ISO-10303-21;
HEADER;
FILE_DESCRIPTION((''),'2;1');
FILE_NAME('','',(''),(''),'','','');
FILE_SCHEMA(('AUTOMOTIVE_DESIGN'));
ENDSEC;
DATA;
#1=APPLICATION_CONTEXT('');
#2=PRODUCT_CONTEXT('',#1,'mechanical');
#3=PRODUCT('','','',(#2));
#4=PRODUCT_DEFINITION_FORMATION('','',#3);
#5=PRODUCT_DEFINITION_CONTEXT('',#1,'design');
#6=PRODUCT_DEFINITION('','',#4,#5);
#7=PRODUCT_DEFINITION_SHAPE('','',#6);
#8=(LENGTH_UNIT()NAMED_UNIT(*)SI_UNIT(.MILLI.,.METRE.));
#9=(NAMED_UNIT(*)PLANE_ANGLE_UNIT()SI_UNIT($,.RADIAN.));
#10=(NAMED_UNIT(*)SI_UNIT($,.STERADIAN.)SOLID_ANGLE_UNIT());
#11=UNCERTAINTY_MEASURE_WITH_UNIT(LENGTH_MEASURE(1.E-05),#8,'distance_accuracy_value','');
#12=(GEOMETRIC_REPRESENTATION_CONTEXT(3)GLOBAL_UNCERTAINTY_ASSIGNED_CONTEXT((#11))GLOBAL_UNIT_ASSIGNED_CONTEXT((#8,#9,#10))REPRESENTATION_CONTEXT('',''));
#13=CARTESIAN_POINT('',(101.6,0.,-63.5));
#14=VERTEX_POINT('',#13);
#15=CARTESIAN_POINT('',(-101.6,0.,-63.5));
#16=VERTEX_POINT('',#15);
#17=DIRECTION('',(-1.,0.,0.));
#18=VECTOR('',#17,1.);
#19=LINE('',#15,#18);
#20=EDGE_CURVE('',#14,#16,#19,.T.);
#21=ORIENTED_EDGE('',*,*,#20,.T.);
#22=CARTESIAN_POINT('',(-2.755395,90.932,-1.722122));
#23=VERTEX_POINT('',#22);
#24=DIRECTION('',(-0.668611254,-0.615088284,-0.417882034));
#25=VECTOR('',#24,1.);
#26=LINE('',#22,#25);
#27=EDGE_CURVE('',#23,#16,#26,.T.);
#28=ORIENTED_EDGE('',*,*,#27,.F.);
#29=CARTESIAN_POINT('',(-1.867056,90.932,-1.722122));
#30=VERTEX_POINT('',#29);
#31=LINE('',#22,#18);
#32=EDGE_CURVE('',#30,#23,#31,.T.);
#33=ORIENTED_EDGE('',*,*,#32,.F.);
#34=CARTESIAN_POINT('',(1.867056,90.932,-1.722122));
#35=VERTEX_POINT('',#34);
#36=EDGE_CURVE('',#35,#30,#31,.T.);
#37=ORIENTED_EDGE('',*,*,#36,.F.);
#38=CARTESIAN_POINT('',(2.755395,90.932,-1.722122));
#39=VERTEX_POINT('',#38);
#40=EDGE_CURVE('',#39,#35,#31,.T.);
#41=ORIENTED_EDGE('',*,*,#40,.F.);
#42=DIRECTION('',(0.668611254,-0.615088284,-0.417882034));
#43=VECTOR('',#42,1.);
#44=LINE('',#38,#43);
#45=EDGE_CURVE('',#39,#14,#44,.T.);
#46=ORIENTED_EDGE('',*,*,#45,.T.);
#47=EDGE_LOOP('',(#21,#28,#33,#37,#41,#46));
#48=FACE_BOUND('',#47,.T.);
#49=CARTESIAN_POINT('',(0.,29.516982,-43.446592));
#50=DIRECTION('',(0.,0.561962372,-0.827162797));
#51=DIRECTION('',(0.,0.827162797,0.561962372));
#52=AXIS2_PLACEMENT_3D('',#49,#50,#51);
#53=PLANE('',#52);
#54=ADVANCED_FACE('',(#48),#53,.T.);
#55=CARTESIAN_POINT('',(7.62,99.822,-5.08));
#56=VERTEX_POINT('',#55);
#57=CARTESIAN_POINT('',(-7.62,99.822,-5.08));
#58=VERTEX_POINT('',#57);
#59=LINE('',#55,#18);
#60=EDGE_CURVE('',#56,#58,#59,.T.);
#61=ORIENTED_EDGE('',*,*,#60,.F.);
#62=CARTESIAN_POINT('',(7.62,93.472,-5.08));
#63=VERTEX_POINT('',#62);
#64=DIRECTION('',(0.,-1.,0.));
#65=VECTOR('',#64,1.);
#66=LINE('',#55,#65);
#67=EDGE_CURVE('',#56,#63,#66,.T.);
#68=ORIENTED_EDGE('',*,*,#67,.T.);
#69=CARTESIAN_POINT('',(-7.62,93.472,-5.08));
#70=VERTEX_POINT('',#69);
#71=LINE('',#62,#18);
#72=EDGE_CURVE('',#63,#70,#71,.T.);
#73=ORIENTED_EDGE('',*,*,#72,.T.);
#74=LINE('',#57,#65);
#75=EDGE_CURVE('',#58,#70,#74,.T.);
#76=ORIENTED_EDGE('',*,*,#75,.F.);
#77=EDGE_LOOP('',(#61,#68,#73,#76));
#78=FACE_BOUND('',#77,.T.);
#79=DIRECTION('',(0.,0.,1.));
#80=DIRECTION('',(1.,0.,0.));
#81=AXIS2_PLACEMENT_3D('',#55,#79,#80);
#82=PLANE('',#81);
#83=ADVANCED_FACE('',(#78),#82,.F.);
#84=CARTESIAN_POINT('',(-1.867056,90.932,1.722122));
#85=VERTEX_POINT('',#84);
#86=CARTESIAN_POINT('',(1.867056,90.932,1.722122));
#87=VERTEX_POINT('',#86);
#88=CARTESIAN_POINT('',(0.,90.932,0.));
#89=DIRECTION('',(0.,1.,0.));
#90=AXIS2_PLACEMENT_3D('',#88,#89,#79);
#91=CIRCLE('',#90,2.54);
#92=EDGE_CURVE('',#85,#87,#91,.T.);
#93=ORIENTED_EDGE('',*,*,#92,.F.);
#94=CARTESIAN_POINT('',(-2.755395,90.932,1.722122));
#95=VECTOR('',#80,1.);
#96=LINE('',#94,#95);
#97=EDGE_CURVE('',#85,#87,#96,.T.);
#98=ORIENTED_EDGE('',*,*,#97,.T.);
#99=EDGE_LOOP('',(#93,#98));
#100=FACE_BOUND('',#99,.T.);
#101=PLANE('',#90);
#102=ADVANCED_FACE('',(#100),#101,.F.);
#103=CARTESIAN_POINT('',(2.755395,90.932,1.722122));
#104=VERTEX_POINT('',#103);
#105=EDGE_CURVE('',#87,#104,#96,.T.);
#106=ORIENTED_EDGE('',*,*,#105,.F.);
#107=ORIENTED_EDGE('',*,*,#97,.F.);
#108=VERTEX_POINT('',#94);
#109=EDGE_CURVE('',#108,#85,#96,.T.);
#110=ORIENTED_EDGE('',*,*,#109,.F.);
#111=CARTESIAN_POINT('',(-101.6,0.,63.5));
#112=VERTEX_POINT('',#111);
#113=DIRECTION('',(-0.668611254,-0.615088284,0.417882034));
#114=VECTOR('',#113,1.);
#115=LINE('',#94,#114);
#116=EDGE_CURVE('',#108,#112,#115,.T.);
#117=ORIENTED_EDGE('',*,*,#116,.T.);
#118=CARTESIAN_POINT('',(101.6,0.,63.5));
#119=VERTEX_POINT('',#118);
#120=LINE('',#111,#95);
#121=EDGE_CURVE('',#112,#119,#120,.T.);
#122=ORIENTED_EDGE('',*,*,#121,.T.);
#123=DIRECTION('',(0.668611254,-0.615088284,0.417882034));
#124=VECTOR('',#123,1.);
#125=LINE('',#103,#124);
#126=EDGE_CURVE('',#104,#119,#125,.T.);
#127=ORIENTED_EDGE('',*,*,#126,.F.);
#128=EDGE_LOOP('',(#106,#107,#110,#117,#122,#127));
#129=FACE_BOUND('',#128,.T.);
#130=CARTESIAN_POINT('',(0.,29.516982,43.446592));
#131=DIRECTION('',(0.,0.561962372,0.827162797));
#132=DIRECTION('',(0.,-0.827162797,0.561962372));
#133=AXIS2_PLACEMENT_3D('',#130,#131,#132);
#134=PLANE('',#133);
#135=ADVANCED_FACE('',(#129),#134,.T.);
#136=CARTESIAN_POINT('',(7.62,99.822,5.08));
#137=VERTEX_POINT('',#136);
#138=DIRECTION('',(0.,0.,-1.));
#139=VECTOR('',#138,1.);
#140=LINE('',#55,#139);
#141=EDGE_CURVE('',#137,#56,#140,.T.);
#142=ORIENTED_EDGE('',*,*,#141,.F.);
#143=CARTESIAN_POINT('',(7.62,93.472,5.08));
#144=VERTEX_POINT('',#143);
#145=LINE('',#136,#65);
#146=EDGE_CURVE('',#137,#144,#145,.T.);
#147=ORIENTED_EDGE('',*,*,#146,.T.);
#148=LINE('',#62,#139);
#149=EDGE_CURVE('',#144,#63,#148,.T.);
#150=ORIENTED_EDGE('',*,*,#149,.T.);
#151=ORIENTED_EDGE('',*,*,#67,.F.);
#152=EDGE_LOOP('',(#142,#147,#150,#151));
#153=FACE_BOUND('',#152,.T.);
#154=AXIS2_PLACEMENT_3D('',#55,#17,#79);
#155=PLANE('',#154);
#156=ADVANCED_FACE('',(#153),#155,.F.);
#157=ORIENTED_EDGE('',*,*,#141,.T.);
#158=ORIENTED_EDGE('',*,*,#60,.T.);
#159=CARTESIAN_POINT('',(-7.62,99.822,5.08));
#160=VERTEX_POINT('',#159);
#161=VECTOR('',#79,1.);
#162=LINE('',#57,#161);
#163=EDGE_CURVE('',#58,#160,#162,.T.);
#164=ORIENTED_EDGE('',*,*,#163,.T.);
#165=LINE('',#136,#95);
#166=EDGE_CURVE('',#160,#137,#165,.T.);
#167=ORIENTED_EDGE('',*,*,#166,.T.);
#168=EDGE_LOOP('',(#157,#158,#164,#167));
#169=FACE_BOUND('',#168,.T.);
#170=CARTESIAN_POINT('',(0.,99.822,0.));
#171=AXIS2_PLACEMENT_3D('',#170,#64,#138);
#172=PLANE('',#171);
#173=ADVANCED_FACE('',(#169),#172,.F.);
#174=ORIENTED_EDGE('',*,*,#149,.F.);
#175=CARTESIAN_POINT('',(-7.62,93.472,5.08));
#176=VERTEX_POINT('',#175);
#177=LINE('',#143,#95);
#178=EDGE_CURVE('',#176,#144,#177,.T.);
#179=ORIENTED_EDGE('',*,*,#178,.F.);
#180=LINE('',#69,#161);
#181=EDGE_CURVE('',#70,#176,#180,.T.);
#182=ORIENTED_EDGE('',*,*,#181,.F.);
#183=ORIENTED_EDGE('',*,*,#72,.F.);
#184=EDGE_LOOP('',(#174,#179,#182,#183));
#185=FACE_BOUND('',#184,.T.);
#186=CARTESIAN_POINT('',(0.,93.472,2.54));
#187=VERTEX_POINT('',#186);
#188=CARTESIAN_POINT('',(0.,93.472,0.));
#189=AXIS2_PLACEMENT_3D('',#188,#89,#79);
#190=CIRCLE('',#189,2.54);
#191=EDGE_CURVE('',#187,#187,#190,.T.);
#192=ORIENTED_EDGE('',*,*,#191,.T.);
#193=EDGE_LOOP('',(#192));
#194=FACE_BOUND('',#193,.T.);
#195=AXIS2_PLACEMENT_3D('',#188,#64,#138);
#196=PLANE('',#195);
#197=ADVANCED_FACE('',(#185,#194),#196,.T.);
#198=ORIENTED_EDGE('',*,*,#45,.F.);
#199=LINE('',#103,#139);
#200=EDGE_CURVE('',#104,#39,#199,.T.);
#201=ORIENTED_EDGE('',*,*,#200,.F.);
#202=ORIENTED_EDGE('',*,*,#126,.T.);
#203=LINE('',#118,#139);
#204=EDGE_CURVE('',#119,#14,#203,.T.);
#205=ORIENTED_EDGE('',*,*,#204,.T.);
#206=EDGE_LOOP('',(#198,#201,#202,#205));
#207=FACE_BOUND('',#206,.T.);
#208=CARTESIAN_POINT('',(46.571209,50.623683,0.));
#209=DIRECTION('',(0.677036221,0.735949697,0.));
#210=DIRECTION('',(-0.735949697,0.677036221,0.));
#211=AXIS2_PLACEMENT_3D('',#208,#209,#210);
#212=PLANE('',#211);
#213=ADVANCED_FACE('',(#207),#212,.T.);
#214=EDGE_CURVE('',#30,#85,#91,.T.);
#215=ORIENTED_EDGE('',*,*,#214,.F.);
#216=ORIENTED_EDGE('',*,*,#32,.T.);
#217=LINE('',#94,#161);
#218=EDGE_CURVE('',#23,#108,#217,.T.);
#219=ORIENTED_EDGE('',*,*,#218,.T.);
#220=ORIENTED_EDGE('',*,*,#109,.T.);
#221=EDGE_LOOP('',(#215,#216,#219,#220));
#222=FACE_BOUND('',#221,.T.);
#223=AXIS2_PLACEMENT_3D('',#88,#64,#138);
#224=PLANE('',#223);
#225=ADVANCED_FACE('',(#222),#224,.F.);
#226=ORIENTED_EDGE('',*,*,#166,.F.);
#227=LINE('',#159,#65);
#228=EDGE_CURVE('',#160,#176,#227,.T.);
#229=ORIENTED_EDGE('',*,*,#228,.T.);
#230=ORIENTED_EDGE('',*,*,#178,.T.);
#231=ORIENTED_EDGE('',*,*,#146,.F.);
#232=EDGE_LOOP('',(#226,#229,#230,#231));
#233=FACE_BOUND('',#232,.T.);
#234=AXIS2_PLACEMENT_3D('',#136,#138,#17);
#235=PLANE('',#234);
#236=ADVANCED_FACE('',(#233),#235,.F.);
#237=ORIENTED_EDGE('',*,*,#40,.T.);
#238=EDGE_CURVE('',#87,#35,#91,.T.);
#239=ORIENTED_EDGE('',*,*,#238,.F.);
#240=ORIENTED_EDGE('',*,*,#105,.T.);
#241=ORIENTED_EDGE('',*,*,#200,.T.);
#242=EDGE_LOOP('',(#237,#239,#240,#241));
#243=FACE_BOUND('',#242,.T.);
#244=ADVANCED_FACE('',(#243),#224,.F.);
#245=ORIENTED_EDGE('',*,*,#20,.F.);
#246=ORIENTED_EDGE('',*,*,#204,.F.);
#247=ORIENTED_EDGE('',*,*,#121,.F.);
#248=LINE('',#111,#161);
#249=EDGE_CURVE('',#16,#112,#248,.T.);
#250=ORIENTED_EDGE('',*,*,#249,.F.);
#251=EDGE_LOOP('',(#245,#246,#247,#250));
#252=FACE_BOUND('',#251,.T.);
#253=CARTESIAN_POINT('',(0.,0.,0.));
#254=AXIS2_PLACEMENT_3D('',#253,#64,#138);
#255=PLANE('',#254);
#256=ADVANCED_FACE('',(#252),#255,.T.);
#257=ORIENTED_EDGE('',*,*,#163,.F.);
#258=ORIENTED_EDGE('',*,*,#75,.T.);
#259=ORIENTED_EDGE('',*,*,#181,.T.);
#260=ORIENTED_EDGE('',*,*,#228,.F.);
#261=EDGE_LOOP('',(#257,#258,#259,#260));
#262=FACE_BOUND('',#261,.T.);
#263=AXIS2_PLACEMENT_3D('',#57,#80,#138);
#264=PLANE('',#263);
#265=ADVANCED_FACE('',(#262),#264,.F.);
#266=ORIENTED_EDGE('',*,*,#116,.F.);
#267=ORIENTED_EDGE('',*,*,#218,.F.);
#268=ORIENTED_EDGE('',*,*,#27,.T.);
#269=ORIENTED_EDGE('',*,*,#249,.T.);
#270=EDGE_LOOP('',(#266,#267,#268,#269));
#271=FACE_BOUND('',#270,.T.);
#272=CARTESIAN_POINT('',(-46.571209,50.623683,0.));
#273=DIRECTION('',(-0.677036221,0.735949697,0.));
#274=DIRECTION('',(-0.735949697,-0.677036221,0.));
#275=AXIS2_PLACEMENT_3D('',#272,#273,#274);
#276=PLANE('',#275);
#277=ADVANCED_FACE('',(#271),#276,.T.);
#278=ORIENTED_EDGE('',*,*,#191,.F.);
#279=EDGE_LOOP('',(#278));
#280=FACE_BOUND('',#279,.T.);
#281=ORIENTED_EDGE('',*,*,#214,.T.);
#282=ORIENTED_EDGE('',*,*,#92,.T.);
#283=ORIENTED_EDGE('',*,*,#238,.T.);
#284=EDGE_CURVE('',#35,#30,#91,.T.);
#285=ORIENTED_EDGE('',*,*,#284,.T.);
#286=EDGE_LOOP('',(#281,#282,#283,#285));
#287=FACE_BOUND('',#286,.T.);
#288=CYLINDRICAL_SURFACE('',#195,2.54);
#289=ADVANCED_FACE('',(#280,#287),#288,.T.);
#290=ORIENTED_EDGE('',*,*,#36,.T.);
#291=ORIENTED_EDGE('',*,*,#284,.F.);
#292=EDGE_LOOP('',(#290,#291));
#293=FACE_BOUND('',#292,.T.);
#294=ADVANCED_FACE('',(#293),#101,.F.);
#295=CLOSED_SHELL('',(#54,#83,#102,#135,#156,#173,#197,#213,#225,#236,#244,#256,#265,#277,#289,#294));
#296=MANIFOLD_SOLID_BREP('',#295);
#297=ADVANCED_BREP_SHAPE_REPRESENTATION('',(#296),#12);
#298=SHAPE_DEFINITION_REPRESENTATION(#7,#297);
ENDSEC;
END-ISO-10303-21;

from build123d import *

# Parameters (mm, degrees)
SKETCH3_R         = 2.54
CAMERA_LENS_DEPTH = 2.54
SKETCH4_W         = 15.24
SKETCH4_H         = 10.16
CAMERA_BODY_DEPTH = 6.35


with BuildPart() as part:
    # Sketch2 → FOV section 0
    with BuildSketch(Plane(origin=(0, 90.932, 0), x_dir=(1, 0, 0), z_dir=(0, 1, 0))):
        with BuildLine():
            Line((-2.755394972, -1.722121857), (2.755394972, -1.722121857))
            Line((2.755394972, -1.722121857), (2.755394972, 1.722121857))
            Line((2.755394972, 1.722121857), (-2.755394972, 1.722121857))
            Line((-2.755394972, 1.722121857), (-2.755394972, -1.722121857))
        make_face()
    # Sketch1 → FOV section 1
    with BuildSketch(Plane(origin=(0, 0, 0), x_dir=(1, 0, 0), z_dir=(0, 1, 0))):
        with BuildLine():
            Line((-101.6, -63.5), (101.6, -63.5))
            Line((101.6, -63.5), (101.6, 63.5))
            Line((101.6, 63.5), (-101.6, 63.5))
            Line((-101.6, 63.5), (-101.6, -63.5))
        make_face()
    loft()

    # Sketch3 → camera lens (add)
    with BuildSketch(Plane(origin=(0, 90.932, 0), x_dir=(1, 0, 0), z_dir=(0, 1, 0))):
        with Locations(Location((0, 0, 0), (0, 0, 137.312390012))):
            Circle(SKETCH3_R)
    extrude(amount=CAMERA_LENS_DEPTH)

    # Sketch4 → camera body (add)
    with BuildSketch(Plane(origin=(0, 93.472, 0), x_dir=(1, 0, 0), z_dir=(0, 1, 0))):
        Rectangle(SKETCH4_W, SKETCH4_H)
    extrude(amount=CAMERA_BODY_DEPTH)


solid = part.part
